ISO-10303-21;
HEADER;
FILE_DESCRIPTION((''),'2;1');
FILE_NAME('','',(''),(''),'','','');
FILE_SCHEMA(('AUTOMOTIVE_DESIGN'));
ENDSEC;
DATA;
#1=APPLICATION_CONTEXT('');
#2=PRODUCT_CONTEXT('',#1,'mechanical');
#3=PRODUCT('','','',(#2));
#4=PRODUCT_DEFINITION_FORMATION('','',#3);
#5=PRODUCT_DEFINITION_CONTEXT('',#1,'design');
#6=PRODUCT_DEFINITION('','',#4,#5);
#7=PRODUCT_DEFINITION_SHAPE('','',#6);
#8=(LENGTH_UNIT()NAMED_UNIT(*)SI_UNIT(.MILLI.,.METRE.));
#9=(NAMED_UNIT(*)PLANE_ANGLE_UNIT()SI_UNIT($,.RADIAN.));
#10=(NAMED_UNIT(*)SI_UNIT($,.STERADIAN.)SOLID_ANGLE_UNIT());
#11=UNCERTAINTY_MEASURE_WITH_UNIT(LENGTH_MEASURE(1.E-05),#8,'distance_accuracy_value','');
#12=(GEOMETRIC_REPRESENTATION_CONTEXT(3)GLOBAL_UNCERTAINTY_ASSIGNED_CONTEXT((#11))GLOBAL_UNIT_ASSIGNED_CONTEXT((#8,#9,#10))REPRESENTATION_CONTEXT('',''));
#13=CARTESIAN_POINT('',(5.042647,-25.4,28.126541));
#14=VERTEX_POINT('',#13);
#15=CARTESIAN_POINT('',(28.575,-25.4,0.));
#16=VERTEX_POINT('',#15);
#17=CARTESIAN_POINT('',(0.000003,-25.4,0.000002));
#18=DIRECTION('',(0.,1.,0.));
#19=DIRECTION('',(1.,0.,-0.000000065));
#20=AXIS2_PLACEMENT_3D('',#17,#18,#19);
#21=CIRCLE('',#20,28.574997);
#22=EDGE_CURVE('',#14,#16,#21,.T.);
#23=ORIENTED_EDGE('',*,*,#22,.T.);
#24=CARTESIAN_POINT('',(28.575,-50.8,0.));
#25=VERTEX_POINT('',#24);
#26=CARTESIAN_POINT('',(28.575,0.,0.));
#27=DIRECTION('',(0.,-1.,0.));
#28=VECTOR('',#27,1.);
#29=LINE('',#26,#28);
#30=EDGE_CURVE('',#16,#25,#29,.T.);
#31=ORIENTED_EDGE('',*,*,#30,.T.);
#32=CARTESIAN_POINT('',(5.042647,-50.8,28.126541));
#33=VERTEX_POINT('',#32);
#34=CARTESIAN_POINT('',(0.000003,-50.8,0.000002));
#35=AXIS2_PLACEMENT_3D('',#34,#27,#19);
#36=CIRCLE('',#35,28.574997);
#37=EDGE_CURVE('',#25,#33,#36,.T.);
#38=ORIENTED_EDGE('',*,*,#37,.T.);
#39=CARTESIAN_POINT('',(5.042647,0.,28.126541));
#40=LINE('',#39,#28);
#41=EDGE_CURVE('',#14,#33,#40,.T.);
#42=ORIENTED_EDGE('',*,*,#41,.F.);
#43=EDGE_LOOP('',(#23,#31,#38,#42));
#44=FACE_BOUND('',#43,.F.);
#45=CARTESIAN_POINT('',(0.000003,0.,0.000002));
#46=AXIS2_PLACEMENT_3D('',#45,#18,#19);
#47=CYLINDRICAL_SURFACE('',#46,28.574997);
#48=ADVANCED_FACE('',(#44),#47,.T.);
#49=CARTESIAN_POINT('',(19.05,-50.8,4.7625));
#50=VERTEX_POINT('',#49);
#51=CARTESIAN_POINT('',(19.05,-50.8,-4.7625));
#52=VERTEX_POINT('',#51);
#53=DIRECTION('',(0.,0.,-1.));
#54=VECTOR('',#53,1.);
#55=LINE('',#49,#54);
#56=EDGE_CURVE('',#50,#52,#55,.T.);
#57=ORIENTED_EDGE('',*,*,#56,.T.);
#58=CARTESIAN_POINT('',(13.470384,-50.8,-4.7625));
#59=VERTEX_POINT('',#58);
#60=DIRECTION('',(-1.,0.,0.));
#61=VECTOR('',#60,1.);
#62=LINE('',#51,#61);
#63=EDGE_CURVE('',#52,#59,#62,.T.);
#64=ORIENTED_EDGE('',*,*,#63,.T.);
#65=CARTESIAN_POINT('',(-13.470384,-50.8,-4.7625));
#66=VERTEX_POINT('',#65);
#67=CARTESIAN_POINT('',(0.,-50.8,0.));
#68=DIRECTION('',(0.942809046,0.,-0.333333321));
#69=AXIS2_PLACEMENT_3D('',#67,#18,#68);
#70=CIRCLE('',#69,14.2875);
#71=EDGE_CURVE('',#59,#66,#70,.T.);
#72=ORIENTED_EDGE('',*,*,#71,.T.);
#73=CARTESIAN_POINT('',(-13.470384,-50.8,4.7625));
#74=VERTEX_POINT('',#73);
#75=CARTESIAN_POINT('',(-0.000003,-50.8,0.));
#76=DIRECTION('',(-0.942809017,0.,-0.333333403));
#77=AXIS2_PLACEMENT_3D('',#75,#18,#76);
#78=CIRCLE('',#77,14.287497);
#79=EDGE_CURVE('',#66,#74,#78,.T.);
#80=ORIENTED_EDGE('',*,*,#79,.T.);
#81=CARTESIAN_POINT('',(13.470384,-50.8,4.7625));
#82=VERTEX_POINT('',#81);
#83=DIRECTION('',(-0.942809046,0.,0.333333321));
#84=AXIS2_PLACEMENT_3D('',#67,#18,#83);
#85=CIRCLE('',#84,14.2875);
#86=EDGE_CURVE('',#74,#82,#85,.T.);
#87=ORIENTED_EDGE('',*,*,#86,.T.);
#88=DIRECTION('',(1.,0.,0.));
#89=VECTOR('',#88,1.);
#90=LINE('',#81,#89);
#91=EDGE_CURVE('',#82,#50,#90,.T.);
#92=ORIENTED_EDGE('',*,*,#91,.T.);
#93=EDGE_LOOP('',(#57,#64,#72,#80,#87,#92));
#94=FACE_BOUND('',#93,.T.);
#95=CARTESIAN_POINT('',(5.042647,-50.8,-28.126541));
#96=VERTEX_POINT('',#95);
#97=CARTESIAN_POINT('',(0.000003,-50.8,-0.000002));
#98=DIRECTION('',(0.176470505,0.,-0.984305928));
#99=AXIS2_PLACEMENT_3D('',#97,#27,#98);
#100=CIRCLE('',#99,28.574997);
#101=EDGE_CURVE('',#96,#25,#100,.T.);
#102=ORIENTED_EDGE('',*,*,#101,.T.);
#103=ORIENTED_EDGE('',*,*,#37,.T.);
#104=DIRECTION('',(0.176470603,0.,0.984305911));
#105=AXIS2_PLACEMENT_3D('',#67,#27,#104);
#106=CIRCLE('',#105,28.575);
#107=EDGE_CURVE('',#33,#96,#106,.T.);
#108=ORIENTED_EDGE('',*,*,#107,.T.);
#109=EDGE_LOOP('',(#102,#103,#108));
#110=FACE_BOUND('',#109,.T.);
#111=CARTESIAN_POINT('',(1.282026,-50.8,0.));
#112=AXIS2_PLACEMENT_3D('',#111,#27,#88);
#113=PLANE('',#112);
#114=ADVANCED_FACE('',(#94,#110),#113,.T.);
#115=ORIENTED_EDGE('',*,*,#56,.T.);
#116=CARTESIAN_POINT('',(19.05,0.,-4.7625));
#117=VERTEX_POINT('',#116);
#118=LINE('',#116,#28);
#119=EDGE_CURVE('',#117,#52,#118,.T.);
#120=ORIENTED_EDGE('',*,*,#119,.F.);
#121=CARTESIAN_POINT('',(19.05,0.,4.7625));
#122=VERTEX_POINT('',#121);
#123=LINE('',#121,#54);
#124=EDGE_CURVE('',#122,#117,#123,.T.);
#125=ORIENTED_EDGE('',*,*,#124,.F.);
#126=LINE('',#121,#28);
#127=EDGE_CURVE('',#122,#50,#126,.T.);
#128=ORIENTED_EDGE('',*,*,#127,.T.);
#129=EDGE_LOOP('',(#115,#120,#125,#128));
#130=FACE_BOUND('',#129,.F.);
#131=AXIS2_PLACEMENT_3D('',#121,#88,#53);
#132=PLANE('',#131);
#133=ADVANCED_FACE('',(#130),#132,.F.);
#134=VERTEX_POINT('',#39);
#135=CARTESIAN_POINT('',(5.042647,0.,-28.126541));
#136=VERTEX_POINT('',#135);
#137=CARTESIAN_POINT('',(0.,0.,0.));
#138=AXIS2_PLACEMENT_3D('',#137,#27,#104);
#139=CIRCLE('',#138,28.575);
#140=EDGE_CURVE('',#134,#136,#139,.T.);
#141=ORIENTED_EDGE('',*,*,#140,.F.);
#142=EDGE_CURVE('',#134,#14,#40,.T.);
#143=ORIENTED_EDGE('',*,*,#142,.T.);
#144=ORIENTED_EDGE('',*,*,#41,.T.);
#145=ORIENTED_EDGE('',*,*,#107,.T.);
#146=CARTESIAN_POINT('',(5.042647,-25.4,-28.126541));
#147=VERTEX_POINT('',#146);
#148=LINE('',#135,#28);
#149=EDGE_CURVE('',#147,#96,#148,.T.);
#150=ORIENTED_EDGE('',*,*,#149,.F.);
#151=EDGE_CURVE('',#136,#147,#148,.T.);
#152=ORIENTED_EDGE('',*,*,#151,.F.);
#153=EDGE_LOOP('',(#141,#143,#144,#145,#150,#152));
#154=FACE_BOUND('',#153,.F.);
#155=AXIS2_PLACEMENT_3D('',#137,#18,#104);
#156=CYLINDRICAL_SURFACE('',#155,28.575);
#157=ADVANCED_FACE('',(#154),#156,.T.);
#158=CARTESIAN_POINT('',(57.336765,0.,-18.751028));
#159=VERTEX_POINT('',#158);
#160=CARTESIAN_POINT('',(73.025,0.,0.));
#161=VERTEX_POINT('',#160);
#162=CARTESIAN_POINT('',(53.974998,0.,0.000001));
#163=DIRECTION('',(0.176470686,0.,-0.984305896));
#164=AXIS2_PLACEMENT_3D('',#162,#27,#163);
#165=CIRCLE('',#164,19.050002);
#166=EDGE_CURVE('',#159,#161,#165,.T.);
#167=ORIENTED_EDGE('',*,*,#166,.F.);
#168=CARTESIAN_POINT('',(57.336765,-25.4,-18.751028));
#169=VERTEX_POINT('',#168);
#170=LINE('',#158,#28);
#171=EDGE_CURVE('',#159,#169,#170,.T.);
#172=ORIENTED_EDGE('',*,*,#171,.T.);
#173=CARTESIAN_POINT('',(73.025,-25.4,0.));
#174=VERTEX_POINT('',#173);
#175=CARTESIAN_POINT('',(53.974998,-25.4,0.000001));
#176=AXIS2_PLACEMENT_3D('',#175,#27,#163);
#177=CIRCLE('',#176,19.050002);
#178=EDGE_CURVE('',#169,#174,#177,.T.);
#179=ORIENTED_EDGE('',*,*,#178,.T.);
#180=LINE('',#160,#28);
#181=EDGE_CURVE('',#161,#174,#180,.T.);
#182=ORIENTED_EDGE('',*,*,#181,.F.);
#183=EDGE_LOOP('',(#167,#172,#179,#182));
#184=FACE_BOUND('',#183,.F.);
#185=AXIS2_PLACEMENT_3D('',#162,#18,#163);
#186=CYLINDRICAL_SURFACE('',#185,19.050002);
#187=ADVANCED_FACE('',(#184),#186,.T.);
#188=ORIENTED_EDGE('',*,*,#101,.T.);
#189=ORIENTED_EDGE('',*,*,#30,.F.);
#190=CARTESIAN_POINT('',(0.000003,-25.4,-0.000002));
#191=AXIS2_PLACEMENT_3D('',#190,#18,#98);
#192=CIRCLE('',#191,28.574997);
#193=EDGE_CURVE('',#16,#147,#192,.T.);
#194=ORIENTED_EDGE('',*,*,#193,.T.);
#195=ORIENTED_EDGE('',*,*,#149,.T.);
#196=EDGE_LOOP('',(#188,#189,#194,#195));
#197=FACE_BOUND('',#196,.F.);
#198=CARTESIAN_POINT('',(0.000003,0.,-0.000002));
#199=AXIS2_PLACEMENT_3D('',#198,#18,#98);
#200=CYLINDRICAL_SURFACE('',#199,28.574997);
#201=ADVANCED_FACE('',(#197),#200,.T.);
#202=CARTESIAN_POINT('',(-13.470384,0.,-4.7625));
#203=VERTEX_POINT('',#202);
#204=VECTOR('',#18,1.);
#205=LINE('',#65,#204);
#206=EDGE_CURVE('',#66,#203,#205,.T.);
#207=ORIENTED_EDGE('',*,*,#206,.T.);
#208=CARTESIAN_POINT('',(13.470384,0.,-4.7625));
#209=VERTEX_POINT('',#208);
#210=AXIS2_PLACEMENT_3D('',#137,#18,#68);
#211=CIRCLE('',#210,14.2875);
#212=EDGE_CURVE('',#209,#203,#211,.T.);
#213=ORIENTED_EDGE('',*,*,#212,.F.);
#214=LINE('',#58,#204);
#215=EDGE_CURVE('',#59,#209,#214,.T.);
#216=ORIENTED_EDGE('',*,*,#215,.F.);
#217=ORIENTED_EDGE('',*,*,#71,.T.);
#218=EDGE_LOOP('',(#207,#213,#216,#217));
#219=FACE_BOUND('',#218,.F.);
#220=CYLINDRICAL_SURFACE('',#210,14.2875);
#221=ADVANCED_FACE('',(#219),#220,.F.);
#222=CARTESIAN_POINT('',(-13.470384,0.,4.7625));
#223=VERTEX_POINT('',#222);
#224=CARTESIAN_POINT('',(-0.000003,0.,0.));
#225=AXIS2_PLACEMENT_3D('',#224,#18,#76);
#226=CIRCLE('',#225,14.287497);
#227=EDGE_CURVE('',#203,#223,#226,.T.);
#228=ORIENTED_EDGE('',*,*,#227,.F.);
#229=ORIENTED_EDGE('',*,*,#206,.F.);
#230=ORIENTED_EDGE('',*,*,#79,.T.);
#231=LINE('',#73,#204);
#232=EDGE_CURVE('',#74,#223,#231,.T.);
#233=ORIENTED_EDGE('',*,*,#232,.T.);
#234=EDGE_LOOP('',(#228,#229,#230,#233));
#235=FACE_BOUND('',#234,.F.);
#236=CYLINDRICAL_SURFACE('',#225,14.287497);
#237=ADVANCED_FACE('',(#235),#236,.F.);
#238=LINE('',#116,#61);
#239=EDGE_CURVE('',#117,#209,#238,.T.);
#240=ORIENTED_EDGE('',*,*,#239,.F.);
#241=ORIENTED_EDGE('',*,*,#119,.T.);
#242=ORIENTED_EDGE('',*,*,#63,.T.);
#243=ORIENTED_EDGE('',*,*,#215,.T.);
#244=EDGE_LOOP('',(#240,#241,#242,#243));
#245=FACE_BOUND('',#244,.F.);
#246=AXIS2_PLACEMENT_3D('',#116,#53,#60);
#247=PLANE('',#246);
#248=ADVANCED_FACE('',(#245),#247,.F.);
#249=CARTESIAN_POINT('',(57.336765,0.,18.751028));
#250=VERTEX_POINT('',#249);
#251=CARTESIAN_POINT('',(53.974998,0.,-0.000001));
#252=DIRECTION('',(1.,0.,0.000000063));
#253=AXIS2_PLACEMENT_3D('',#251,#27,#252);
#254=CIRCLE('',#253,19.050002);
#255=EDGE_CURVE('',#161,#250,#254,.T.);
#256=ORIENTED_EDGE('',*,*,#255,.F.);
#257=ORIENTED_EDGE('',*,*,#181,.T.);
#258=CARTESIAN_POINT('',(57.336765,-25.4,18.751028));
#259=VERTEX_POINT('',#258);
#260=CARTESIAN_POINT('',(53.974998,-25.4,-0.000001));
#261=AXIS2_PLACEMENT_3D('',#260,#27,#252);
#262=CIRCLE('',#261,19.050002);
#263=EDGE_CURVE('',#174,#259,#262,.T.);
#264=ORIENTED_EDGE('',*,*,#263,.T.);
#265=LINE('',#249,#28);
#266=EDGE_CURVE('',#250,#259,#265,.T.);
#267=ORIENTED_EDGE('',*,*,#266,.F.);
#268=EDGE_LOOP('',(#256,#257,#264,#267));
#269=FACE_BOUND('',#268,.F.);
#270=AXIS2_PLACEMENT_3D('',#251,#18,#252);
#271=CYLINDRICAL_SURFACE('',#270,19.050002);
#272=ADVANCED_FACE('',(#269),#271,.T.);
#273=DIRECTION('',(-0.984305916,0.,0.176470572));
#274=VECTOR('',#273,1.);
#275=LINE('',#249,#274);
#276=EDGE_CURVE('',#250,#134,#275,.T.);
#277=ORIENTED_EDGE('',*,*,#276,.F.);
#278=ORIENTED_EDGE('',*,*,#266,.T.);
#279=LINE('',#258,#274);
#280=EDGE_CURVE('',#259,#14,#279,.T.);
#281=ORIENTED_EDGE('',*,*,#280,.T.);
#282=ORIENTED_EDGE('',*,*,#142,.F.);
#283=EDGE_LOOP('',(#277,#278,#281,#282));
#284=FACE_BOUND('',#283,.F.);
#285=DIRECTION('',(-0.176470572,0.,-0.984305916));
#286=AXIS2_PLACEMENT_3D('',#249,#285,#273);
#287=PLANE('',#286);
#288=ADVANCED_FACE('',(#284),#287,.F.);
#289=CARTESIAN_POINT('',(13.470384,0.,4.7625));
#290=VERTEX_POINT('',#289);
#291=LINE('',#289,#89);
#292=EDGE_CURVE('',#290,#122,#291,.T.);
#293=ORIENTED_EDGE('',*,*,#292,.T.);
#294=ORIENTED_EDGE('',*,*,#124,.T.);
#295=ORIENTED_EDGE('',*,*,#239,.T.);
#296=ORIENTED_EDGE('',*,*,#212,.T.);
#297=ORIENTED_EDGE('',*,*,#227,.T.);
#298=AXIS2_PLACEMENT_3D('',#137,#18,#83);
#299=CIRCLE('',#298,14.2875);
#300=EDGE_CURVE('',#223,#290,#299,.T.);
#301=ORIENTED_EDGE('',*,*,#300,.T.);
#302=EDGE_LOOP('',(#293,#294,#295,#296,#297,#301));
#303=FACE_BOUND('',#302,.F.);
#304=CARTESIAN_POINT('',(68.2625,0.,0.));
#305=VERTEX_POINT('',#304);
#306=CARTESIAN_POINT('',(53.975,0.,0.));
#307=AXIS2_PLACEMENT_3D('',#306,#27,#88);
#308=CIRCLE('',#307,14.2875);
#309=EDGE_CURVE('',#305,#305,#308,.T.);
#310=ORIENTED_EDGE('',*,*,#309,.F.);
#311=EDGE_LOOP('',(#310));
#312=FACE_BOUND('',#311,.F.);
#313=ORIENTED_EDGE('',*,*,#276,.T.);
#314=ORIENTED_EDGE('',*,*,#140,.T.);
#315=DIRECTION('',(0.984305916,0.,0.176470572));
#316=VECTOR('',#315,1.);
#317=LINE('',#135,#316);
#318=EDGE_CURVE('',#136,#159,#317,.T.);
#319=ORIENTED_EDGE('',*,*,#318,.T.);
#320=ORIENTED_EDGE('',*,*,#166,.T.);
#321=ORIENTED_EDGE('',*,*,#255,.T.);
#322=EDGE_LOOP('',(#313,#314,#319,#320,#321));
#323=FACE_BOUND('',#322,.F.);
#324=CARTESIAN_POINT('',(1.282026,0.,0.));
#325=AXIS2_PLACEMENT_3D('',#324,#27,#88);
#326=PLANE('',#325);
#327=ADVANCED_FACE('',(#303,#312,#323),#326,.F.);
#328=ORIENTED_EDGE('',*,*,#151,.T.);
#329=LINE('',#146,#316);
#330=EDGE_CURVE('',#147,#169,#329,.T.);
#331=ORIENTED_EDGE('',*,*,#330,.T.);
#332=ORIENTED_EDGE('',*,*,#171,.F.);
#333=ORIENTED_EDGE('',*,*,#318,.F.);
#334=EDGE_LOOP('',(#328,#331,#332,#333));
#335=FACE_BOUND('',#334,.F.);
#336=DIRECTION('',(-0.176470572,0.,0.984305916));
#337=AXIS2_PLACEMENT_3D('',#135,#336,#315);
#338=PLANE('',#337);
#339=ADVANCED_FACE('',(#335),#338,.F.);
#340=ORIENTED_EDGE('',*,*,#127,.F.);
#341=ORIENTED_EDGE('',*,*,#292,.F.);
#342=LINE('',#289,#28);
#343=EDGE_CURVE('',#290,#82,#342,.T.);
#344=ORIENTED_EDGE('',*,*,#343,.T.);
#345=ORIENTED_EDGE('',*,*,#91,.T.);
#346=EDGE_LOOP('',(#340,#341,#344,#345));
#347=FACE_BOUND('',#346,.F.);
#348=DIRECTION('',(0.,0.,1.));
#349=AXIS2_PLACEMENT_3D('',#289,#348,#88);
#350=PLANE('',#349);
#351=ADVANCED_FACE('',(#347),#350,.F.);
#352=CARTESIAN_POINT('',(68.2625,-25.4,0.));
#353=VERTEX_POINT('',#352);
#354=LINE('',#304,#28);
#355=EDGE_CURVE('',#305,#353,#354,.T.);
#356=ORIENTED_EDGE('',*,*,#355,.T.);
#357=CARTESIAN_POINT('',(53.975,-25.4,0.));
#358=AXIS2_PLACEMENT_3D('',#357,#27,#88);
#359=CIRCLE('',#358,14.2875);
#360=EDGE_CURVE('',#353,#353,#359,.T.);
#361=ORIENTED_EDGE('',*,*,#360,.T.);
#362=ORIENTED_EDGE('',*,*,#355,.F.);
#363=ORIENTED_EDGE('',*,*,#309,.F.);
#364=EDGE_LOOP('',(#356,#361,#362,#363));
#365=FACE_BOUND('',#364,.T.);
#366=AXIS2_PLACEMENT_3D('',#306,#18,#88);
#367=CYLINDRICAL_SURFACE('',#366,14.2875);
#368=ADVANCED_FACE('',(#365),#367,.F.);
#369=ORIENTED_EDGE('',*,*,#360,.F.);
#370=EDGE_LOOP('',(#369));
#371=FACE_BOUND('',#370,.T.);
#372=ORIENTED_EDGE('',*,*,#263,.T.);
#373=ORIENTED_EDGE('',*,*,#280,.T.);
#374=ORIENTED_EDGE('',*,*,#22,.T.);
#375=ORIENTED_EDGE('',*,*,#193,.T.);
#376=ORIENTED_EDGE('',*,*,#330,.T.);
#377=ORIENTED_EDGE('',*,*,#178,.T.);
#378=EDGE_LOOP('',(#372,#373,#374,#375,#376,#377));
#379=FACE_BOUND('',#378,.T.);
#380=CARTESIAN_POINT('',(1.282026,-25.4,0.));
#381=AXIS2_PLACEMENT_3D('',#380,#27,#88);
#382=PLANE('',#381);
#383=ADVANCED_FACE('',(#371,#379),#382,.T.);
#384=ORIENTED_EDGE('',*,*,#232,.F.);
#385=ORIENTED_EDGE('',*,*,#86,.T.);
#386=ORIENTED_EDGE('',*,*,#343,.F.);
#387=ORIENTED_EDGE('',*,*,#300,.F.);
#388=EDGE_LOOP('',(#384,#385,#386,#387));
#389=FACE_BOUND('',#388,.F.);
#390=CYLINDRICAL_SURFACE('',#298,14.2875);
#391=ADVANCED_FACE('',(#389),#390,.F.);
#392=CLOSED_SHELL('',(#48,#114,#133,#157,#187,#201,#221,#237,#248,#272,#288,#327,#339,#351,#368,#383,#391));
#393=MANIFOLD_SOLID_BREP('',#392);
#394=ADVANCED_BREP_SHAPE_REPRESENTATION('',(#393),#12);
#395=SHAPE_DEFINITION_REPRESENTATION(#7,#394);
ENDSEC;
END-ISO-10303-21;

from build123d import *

# Parameters (mm, degrees)
F0_R     = 14.2875
F1_DEPTH = 25.4
F2_DEPTH = 50.8


with BuildPart() as f1:
    # F0 (on Front) → F1 (new body)
    with BuildSketch(Plane.XZ):
        with BuildLine():
            ThreePointArc((5.042647, -28.126541), (21.916025, -18.336262), (28.575, 0))
            ThreePointArc((28.575, 0), (21.916025, 18.336262), (5.042647, 28.126541))
            ThreePointArc((5.042647, 28.126541), (-28.575, 0), (5.042647, -28.126541))
        make_face()
        with BuildLine():
            ThreePointArc((-13.470384, 4.7625), (0, 14.2875), (13.470384, 4.7625))
            Line((13.470384, 4.7625), (19.05, 4.7625))
            Line((19.05, 4.7625), (19.05, -4.7625))
            Line((19.05, -4.7625), (13.470384, -4.7625))
            ThreePointArc((13.470384, -4.7625), (0, -14.2875), (-13.470384, -4.7625))
            Line((-13.470384, -4.7625), (-19.05, -4.7625))
            Line((-19.05, -4.7625), (-19.05, 4.7625))
            Line((-19.05, 4.7625), (-13.470384, 4.7625))
        make_face(mode=Mode.SUBTRACT)
        with BuildLine():
            ThreePointArc((5.042647, 28.126541), (21.916025, 18.336262), (28.575, 0))
            ThreePointArc((28.575, 0), (21.916025, -18.336262), (5.042647, -28.126541))
            Line((5.042647, -28.126541), (57.336765, -18.751028))
            ThreePointArc((57.336765, -18.751028), (34.925, 0), (57.336765, 18.751028))
            Line((57.336765, 18.751028), (5.042647, 28.126541))
        make_face()
        with BuildLine():
            ThreePointArc((73.025, 0), (68.585683, 12.224174), (57.336765, 18.751028))
            ThreePointArc((57.336765, 18.751028), (34.925, 0), (57.336765, -18.751028))
            ThreePointArc((57.336765, -18.751028), (68.585683, -12.224174), (73.025, 0))
        make_face()
        with Locations((53.975, 0)):
            Circle(F0_R, mode=Mode.SUBTRACT)
        with BuildLine():
            ThreePointArc((-13.470384, -4.7625), (-14.2875, 0), (-13.470384, 4.7625))
            Line((-13.470384, 4.7625), (-19.05, 4.7625))
            Line((-19.05, 4.7625), (-19.05, -4.7625))
            Line((-19.05, -4.7625), (-13.470384, -4.7625))
        make_face()
    extrude(amount=F1_DEPTH)

    # F0 (on Front) → F2 (join)
    with BuildSketch(Plane.XZ):
        with BuildLine():
            ThreePointArc((5.042647, -28.126541), (21.916025, -18.336262), (28.575, 0))
            ThreePointArc((28.575, 0), (21.916025, 18.336262), (5.042647, 28.126541))
            ThreePointArc((5.042647, 28.126541), (-28.575, 0), (5.042647, -28.126541))
        make_face()
        with BuildLine():
            ThreePointArc((-13.470384, 4.7625), (0, 14.2875), (13.470384, 4.7625))
            Line((13.470384, 4.7625), (19.05, 4.7625))
            Line((19.05, 4.7625), (19.05, -4.7625))
            Line((19.05, -4.7625), (13.470384, -4.7625))
            ThreePointArc((13.470384, -4.7625), (0, -14.2875), (-13.470384, -4.7625))
            Line((-13.470384, -4.7625), (-19.05, -4.7625))
            Line((-19.05, -4.7625), (-19.05, 4.7625))
            Line((-19.05, 4.7625), (-13.470384, 4.7625))
        make_face(mode=Mode.SUBTRACT)
        with BuildLine():
            ThreePointArc((-13.470384, -4.7625), (-14.2875, 0), (-13.470384, 4.7625))
            Line((-13.470384, 4.7625), (-19.05, 4.7625))
            Line((-19.05, 4.7625), (-19.05, -4.7625))
            Line((-19.05, -4.7625), (-13.470384, -4.7625))
        make_face()
    extrude(amount=F2_DEPTH)


solid = f1.part
